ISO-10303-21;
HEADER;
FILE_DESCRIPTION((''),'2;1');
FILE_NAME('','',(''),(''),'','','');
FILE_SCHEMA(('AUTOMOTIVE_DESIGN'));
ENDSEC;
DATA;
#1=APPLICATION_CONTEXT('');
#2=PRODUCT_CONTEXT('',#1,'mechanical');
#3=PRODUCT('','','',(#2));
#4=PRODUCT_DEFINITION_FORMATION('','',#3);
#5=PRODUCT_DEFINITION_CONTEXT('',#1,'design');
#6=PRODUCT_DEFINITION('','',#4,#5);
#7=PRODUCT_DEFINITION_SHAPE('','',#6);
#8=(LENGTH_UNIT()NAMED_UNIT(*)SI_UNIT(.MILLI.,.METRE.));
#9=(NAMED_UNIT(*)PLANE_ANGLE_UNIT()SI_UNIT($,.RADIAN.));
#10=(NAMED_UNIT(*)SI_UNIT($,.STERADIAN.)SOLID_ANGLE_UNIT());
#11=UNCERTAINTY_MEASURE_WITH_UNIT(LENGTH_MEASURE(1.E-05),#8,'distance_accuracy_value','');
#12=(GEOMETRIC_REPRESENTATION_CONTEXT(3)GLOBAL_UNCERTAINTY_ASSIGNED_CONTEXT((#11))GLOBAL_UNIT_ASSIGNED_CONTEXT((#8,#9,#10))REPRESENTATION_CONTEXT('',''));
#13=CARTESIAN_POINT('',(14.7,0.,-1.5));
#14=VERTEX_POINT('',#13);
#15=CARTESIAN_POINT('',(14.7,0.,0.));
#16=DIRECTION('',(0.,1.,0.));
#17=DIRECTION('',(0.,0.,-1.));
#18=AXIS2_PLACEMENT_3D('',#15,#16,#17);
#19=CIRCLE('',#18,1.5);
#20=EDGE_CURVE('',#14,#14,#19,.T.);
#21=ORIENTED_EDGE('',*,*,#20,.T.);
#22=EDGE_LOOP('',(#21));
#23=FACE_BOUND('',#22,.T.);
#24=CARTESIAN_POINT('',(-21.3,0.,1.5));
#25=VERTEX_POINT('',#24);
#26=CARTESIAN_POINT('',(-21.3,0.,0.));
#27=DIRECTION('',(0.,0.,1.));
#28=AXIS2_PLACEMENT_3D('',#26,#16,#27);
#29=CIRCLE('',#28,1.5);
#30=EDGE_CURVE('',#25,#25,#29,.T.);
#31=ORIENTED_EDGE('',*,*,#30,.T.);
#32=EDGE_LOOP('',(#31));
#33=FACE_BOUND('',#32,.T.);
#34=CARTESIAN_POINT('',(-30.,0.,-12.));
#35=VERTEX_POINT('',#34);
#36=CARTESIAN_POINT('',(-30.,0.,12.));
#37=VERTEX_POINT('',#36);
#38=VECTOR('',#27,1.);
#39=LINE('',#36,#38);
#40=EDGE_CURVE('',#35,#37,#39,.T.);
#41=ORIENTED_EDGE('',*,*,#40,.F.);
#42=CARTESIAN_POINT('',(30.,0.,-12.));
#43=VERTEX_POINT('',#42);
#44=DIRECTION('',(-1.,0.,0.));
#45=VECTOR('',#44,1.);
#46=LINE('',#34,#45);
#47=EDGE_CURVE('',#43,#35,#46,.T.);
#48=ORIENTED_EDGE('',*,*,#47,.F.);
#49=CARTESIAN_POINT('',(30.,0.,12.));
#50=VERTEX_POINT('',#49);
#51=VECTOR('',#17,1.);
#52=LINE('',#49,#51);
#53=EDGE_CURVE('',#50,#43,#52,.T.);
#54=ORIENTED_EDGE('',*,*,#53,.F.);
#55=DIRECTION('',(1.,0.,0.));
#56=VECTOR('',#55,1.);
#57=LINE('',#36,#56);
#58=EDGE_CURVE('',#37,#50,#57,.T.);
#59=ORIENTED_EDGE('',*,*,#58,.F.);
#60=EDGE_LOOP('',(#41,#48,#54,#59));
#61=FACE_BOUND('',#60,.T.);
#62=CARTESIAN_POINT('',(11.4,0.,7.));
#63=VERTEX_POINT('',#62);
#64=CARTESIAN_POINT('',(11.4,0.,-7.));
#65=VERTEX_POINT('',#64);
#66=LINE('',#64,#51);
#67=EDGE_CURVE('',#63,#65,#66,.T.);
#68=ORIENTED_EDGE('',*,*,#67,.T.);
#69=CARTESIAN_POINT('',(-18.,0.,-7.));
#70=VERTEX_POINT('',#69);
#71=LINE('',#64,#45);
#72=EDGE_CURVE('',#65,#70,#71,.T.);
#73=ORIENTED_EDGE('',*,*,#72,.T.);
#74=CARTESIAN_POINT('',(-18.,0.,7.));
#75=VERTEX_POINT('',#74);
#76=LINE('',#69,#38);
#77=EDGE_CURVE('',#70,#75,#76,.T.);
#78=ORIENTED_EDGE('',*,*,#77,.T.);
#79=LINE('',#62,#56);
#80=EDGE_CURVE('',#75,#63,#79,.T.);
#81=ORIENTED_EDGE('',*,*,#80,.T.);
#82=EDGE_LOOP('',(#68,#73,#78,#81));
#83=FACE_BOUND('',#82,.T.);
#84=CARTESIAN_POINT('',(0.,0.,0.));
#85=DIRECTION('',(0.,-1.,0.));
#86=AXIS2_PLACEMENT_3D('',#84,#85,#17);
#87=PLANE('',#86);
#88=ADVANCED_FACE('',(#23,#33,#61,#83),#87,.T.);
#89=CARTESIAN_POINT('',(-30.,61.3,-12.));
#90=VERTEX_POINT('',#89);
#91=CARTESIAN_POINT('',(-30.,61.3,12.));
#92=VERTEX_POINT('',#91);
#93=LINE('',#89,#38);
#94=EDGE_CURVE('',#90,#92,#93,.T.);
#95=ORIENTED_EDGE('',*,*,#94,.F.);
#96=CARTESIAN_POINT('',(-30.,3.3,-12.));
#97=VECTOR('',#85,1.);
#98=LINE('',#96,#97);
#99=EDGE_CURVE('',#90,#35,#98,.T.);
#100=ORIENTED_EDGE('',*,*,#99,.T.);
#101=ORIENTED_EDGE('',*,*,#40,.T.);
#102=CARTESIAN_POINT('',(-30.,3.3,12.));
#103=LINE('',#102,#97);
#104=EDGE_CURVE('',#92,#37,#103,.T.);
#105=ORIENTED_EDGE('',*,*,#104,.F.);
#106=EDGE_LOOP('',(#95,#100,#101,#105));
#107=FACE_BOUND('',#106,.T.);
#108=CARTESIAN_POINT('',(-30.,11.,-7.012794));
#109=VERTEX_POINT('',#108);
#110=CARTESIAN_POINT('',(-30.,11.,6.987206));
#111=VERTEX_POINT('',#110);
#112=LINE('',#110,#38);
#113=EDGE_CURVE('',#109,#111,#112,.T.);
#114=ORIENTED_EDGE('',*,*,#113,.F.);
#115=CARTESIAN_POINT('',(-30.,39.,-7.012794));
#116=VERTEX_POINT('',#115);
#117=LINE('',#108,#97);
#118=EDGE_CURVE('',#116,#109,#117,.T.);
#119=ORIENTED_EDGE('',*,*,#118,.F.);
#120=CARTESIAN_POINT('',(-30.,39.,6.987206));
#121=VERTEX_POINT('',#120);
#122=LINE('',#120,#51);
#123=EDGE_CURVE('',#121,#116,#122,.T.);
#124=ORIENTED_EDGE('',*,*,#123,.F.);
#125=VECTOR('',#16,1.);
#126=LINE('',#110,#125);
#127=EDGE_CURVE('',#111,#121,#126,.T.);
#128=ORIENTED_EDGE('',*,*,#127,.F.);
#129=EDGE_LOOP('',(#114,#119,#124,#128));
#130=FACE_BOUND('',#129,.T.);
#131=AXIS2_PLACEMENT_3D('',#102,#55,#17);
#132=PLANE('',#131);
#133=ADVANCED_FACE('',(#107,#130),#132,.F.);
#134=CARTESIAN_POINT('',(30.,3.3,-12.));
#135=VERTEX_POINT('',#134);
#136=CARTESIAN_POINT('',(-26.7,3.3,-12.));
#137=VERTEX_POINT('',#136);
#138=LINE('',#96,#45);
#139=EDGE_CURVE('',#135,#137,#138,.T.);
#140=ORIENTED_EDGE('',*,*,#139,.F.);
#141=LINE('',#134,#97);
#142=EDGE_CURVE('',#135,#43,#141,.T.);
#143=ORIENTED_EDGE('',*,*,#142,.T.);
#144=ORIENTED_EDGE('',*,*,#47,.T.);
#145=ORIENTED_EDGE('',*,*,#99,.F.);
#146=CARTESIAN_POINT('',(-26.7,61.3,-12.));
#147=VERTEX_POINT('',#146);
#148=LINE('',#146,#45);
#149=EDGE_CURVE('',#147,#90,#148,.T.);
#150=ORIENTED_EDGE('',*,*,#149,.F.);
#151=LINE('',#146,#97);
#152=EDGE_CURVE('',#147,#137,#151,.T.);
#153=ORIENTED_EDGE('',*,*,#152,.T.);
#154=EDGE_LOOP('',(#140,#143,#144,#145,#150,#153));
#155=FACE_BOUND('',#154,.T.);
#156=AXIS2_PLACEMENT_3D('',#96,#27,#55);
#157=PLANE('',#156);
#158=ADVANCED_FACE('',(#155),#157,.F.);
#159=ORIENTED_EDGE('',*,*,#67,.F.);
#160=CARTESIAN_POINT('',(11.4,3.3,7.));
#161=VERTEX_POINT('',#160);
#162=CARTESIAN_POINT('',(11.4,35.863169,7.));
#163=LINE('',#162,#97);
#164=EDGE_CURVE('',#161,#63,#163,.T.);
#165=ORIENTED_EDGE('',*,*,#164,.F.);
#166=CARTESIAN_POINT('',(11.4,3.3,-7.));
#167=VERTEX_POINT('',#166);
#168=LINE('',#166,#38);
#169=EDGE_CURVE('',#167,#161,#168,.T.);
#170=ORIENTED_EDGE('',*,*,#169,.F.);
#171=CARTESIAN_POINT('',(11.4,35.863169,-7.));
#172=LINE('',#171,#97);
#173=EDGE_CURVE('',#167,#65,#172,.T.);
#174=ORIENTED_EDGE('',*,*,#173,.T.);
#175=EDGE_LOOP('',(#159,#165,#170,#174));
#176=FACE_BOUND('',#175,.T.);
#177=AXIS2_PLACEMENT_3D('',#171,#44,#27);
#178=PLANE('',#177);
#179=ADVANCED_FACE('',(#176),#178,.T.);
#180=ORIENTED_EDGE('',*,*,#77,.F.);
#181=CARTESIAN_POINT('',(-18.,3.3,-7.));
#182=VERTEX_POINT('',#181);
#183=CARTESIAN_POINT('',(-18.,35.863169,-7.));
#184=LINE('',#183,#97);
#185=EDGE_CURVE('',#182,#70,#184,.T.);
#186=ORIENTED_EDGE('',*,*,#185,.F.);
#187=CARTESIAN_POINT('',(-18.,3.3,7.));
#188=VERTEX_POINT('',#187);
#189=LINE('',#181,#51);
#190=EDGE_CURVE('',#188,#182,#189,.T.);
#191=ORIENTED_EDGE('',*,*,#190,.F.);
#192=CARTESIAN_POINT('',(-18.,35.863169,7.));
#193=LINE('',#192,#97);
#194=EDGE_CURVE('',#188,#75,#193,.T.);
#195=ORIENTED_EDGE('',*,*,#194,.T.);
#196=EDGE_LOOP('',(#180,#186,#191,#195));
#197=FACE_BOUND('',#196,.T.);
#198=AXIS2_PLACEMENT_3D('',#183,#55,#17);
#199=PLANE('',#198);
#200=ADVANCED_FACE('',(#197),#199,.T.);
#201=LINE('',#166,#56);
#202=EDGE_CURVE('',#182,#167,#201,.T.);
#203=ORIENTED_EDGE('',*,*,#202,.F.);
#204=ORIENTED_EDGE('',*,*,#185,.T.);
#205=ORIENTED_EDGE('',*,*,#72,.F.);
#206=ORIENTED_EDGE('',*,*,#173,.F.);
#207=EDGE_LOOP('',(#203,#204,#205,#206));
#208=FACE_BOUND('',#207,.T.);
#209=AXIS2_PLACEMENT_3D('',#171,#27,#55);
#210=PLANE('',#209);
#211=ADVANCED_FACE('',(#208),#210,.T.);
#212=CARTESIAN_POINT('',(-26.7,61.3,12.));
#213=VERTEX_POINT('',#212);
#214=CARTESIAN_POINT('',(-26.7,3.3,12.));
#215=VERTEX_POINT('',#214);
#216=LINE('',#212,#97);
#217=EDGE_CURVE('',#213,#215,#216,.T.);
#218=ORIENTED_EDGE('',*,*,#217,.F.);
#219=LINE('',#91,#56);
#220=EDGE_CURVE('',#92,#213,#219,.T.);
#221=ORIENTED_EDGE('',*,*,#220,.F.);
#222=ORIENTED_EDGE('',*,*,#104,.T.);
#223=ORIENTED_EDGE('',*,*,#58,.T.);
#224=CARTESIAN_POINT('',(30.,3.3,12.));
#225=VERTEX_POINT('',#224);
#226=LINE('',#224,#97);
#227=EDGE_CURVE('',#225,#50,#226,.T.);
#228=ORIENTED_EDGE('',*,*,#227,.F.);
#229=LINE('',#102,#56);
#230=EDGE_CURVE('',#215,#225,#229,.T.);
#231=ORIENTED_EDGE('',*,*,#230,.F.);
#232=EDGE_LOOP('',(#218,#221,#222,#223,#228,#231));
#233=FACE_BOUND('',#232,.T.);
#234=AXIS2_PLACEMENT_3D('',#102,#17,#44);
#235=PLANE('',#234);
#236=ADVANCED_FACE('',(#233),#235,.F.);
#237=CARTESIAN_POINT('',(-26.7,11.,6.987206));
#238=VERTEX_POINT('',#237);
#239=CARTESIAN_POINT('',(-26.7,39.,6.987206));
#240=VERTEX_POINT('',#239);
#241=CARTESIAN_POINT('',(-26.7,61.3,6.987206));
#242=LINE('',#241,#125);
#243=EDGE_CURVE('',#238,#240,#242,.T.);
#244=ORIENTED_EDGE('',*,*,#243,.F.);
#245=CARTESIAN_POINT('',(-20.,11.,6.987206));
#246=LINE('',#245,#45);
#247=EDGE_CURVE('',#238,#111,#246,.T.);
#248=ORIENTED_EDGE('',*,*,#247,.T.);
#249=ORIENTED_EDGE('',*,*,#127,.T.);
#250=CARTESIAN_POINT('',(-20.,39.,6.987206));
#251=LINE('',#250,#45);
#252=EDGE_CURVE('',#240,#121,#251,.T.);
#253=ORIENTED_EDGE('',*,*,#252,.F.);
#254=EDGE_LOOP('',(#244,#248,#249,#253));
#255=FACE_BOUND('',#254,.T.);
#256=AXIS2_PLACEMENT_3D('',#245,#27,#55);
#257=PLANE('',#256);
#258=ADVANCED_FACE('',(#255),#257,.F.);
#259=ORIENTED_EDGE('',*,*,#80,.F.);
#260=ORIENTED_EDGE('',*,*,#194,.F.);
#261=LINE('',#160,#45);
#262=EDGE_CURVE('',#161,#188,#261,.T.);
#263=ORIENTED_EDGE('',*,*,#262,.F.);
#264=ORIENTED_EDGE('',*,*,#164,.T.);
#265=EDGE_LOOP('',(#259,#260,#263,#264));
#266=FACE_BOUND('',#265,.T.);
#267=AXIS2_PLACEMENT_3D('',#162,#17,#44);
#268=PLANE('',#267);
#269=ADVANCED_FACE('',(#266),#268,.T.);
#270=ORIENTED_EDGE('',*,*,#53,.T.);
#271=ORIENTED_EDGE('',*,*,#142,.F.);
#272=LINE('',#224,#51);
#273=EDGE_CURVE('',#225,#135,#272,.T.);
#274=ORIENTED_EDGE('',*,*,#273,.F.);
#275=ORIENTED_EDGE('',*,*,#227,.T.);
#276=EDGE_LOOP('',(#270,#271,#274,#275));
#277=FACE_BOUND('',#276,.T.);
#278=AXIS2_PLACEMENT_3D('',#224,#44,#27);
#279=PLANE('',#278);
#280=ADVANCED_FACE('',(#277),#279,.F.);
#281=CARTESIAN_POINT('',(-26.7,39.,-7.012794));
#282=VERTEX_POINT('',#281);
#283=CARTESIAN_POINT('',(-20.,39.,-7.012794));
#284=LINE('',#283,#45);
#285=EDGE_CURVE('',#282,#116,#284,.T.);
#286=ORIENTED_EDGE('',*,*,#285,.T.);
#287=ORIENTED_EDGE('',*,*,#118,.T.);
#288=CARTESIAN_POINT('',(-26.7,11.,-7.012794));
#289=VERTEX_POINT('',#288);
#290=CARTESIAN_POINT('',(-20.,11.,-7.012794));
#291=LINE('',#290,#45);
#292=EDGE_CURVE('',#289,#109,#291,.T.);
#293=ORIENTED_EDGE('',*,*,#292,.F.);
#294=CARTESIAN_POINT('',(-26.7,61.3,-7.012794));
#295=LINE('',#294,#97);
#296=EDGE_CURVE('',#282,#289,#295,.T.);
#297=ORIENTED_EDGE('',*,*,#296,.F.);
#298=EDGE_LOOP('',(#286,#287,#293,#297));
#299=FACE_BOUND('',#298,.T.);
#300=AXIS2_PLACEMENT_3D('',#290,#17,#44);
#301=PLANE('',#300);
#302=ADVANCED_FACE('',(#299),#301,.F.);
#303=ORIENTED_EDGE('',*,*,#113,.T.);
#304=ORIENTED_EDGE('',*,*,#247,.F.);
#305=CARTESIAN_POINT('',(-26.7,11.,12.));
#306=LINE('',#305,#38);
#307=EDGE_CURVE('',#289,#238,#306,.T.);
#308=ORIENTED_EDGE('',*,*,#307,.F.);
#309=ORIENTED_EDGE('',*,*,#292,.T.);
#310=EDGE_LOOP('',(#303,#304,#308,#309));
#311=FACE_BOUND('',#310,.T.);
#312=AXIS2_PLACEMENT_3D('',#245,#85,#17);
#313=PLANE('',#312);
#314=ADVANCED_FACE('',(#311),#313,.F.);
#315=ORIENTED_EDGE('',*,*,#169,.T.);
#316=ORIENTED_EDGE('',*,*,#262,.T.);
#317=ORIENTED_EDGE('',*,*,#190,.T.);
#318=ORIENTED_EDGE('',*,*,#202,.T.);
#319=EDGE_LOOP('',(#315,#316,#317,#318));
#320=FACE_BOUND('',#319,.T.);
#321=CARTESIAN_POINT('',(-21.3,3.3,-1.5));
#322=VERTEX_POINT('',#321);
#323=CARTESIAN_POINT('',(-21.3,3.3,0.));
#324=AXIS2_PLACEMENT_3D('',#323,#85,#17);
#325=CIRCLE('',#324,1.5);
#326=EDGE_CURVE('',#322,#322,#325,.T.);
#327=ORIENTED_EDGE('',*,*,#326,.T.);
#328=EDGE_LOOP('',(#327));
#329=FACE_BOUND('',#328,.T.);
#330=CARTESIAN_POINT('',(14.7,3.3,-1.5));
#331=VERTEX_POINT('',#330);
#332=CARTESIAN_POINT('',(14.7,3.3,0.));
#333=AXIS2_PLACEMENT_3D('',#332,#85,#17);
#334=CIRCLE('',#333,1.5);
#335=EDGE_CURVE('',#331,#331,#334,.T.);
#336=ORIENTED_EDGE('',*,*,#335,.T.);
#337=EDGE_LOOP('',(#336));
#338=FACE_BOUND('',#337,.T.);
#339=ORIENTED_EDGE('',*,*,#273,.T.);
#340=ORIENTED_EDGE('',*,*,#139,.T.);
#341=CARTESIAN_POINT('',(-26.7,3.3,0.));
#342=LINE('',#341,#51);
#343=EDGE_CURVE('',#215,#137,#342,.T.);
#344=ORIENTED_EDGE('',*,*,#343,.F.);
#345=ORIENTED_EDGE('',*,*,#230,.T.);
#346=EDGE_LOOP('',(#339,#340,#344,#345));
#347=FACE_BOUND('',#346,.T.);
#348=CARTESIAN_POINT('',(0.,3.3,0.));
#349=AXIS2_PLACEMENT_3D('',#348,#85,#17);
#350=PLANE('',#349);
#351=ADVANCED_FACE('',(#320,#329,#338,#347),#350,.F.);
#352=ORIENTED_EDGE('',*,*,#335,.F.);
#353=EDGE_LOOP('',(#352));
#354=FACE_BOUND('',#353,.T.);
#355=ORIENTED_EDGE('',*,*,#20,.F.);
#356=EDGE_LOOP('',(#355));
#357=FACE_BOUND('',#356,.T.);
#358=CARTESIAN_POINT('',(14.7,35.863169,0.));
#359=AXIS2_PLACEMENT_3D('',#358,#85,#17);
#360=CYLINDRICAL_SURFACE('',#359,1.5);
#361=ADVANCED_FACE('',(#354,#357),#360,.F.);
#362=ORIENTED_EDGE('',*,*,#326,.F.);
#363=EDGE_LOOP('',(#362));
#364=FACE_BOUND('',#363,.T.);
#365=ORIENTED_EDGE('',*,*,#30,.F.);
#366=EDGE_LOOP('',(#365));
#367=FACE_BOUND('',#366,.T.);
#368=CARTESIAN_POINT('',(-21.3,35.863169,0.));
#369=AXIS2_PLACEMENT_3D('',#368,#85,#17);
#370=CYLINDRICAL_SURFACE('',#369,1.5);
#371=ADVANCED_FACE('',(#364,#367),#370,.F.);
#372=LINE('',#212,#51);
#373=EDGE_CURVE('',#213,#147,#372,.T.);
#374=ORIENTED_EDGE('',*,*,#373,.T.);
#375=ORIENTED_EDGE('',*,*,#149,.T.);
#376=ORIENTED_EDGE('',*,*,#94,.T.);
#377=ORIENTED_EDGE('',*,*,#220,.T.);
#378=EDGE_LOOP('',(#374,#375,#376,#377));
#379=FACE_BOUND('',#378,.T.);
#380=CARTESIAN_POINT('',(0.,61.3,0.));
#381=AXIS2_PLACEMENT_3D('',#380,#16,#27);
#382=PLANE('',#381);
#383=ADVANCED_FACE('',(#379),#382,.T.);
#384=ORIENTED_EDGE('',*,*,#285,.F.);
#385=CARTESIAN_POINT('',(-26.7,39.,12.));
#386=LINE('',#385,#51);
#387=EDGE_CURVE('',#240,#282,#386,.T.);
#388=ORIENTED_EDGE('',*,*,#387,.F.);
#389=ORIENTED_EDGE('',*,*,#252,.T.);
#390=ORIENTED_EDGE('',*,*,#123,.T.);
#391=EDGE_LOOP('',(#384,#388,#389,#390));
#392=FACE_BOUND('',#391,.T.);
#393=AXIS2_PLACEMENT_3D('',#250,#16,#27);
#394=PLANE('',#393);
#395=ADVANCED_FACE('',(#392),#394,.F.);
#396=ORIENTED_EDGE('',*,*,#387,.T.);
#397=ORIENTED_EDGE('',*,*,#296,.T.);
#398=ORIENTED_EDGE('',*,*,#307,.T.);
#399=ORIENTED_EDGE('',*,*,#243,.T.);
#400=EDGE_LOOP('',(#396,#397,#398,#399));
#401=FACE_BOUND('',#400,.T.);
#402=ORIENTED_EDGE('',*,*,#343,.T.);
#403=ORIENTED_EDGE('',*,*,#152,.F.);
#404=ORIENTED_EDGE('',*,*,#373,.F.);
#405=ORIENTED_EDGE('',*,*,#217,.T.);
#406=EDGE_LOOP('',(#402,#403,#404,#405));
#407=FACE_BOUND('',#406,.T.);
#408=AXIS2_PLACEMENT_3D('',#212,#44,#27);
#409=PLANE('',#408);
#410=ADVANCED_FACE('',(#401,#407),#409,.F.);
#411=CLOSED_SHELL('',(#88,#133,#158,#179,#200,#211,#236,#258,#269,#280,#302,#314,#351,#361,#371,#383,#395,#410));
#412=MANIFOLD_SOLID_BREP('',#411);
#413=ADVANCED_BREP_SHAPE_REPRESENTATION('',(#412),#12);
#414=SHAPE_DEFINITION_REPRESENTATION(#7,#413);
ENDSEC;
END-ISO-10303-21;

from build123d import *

# Parameters (mm, degrees)
SKETCH1_W           = 60
SKETCH1_H           = 24
BOSS_EXTRUDE1_DEPTH = 3.3
SKETCH2_W           = 3.3
SKETCH2_H           = 24
BOSS_EXTRUDE2_DEPTH = 61.3
SKETCH7_R           = 1.5
SKETCH7_W           = 29.4
SKETCH7_H           = 14
CUT_EXTRUDE4_DEPTH  = 3.3
SKETCH9_W           = 14
SKETCH9_H           = 28
CUT_EXTRUDE5_DEPTH  = 10


with BuildPart() as part:
    # Sketch1 → Boss-Extrude1 (new body)
    with BuildSketch(Plane(origin=(0, 0, 0), x_dir=(1, 0, 0), z_dir=(0, 1, 0))):
        Rectangle(SKETCH1_W, SKETCH1_H)
    extrude(amount=BOSS_EXTRUDE1_DEPTH)

    # Sketch2 → Boss-Extrude2 (add)
    with BuildSketch(Plane(origin=(0, 0, 0), x_dir=(1, 0, 0), z_dir=(0, 1, 0))):
        with Locations((-28.35, 0)):
            Rectangle(SKETCH2_W, SKETCH2_H)
    extrude(amount=BOSS_EXTRUDE2_DEPTH)

    # Sketch7 → Cut-Extrude4 (cut)
    with BuildSketch(Plane(origin=(0, 0, 0), x_dir=(1, 0, 0), z_dir=(0, 1, 0))):
        with Locations((-21.3, 0)):
            Circle(SKETCH7_R)
        with Locations((14.7, 0)):
            Circle(SKETCH7_R)
        with Locations((-3.3, 0)):
            Rectangle(SKETCH7_W, SKETCH7_H)
    extrude(amount=CUT_EXTRUDE4_DEPTH, mode=Mode.SUBTRACT)

    # Sketch9 → Cut-Extrude5 (cut)
    with BuildSketch(Plane.ZY.offset(30)):
        with Locations((-0.012794058, 25)):
            Rectangle(SKETCH9_W, SKETCH9_H)
    extrude(amount=-CUT_EXTRUDE5_DEPTH, mode=Mode.SUBTRACT)


solid = part.part
